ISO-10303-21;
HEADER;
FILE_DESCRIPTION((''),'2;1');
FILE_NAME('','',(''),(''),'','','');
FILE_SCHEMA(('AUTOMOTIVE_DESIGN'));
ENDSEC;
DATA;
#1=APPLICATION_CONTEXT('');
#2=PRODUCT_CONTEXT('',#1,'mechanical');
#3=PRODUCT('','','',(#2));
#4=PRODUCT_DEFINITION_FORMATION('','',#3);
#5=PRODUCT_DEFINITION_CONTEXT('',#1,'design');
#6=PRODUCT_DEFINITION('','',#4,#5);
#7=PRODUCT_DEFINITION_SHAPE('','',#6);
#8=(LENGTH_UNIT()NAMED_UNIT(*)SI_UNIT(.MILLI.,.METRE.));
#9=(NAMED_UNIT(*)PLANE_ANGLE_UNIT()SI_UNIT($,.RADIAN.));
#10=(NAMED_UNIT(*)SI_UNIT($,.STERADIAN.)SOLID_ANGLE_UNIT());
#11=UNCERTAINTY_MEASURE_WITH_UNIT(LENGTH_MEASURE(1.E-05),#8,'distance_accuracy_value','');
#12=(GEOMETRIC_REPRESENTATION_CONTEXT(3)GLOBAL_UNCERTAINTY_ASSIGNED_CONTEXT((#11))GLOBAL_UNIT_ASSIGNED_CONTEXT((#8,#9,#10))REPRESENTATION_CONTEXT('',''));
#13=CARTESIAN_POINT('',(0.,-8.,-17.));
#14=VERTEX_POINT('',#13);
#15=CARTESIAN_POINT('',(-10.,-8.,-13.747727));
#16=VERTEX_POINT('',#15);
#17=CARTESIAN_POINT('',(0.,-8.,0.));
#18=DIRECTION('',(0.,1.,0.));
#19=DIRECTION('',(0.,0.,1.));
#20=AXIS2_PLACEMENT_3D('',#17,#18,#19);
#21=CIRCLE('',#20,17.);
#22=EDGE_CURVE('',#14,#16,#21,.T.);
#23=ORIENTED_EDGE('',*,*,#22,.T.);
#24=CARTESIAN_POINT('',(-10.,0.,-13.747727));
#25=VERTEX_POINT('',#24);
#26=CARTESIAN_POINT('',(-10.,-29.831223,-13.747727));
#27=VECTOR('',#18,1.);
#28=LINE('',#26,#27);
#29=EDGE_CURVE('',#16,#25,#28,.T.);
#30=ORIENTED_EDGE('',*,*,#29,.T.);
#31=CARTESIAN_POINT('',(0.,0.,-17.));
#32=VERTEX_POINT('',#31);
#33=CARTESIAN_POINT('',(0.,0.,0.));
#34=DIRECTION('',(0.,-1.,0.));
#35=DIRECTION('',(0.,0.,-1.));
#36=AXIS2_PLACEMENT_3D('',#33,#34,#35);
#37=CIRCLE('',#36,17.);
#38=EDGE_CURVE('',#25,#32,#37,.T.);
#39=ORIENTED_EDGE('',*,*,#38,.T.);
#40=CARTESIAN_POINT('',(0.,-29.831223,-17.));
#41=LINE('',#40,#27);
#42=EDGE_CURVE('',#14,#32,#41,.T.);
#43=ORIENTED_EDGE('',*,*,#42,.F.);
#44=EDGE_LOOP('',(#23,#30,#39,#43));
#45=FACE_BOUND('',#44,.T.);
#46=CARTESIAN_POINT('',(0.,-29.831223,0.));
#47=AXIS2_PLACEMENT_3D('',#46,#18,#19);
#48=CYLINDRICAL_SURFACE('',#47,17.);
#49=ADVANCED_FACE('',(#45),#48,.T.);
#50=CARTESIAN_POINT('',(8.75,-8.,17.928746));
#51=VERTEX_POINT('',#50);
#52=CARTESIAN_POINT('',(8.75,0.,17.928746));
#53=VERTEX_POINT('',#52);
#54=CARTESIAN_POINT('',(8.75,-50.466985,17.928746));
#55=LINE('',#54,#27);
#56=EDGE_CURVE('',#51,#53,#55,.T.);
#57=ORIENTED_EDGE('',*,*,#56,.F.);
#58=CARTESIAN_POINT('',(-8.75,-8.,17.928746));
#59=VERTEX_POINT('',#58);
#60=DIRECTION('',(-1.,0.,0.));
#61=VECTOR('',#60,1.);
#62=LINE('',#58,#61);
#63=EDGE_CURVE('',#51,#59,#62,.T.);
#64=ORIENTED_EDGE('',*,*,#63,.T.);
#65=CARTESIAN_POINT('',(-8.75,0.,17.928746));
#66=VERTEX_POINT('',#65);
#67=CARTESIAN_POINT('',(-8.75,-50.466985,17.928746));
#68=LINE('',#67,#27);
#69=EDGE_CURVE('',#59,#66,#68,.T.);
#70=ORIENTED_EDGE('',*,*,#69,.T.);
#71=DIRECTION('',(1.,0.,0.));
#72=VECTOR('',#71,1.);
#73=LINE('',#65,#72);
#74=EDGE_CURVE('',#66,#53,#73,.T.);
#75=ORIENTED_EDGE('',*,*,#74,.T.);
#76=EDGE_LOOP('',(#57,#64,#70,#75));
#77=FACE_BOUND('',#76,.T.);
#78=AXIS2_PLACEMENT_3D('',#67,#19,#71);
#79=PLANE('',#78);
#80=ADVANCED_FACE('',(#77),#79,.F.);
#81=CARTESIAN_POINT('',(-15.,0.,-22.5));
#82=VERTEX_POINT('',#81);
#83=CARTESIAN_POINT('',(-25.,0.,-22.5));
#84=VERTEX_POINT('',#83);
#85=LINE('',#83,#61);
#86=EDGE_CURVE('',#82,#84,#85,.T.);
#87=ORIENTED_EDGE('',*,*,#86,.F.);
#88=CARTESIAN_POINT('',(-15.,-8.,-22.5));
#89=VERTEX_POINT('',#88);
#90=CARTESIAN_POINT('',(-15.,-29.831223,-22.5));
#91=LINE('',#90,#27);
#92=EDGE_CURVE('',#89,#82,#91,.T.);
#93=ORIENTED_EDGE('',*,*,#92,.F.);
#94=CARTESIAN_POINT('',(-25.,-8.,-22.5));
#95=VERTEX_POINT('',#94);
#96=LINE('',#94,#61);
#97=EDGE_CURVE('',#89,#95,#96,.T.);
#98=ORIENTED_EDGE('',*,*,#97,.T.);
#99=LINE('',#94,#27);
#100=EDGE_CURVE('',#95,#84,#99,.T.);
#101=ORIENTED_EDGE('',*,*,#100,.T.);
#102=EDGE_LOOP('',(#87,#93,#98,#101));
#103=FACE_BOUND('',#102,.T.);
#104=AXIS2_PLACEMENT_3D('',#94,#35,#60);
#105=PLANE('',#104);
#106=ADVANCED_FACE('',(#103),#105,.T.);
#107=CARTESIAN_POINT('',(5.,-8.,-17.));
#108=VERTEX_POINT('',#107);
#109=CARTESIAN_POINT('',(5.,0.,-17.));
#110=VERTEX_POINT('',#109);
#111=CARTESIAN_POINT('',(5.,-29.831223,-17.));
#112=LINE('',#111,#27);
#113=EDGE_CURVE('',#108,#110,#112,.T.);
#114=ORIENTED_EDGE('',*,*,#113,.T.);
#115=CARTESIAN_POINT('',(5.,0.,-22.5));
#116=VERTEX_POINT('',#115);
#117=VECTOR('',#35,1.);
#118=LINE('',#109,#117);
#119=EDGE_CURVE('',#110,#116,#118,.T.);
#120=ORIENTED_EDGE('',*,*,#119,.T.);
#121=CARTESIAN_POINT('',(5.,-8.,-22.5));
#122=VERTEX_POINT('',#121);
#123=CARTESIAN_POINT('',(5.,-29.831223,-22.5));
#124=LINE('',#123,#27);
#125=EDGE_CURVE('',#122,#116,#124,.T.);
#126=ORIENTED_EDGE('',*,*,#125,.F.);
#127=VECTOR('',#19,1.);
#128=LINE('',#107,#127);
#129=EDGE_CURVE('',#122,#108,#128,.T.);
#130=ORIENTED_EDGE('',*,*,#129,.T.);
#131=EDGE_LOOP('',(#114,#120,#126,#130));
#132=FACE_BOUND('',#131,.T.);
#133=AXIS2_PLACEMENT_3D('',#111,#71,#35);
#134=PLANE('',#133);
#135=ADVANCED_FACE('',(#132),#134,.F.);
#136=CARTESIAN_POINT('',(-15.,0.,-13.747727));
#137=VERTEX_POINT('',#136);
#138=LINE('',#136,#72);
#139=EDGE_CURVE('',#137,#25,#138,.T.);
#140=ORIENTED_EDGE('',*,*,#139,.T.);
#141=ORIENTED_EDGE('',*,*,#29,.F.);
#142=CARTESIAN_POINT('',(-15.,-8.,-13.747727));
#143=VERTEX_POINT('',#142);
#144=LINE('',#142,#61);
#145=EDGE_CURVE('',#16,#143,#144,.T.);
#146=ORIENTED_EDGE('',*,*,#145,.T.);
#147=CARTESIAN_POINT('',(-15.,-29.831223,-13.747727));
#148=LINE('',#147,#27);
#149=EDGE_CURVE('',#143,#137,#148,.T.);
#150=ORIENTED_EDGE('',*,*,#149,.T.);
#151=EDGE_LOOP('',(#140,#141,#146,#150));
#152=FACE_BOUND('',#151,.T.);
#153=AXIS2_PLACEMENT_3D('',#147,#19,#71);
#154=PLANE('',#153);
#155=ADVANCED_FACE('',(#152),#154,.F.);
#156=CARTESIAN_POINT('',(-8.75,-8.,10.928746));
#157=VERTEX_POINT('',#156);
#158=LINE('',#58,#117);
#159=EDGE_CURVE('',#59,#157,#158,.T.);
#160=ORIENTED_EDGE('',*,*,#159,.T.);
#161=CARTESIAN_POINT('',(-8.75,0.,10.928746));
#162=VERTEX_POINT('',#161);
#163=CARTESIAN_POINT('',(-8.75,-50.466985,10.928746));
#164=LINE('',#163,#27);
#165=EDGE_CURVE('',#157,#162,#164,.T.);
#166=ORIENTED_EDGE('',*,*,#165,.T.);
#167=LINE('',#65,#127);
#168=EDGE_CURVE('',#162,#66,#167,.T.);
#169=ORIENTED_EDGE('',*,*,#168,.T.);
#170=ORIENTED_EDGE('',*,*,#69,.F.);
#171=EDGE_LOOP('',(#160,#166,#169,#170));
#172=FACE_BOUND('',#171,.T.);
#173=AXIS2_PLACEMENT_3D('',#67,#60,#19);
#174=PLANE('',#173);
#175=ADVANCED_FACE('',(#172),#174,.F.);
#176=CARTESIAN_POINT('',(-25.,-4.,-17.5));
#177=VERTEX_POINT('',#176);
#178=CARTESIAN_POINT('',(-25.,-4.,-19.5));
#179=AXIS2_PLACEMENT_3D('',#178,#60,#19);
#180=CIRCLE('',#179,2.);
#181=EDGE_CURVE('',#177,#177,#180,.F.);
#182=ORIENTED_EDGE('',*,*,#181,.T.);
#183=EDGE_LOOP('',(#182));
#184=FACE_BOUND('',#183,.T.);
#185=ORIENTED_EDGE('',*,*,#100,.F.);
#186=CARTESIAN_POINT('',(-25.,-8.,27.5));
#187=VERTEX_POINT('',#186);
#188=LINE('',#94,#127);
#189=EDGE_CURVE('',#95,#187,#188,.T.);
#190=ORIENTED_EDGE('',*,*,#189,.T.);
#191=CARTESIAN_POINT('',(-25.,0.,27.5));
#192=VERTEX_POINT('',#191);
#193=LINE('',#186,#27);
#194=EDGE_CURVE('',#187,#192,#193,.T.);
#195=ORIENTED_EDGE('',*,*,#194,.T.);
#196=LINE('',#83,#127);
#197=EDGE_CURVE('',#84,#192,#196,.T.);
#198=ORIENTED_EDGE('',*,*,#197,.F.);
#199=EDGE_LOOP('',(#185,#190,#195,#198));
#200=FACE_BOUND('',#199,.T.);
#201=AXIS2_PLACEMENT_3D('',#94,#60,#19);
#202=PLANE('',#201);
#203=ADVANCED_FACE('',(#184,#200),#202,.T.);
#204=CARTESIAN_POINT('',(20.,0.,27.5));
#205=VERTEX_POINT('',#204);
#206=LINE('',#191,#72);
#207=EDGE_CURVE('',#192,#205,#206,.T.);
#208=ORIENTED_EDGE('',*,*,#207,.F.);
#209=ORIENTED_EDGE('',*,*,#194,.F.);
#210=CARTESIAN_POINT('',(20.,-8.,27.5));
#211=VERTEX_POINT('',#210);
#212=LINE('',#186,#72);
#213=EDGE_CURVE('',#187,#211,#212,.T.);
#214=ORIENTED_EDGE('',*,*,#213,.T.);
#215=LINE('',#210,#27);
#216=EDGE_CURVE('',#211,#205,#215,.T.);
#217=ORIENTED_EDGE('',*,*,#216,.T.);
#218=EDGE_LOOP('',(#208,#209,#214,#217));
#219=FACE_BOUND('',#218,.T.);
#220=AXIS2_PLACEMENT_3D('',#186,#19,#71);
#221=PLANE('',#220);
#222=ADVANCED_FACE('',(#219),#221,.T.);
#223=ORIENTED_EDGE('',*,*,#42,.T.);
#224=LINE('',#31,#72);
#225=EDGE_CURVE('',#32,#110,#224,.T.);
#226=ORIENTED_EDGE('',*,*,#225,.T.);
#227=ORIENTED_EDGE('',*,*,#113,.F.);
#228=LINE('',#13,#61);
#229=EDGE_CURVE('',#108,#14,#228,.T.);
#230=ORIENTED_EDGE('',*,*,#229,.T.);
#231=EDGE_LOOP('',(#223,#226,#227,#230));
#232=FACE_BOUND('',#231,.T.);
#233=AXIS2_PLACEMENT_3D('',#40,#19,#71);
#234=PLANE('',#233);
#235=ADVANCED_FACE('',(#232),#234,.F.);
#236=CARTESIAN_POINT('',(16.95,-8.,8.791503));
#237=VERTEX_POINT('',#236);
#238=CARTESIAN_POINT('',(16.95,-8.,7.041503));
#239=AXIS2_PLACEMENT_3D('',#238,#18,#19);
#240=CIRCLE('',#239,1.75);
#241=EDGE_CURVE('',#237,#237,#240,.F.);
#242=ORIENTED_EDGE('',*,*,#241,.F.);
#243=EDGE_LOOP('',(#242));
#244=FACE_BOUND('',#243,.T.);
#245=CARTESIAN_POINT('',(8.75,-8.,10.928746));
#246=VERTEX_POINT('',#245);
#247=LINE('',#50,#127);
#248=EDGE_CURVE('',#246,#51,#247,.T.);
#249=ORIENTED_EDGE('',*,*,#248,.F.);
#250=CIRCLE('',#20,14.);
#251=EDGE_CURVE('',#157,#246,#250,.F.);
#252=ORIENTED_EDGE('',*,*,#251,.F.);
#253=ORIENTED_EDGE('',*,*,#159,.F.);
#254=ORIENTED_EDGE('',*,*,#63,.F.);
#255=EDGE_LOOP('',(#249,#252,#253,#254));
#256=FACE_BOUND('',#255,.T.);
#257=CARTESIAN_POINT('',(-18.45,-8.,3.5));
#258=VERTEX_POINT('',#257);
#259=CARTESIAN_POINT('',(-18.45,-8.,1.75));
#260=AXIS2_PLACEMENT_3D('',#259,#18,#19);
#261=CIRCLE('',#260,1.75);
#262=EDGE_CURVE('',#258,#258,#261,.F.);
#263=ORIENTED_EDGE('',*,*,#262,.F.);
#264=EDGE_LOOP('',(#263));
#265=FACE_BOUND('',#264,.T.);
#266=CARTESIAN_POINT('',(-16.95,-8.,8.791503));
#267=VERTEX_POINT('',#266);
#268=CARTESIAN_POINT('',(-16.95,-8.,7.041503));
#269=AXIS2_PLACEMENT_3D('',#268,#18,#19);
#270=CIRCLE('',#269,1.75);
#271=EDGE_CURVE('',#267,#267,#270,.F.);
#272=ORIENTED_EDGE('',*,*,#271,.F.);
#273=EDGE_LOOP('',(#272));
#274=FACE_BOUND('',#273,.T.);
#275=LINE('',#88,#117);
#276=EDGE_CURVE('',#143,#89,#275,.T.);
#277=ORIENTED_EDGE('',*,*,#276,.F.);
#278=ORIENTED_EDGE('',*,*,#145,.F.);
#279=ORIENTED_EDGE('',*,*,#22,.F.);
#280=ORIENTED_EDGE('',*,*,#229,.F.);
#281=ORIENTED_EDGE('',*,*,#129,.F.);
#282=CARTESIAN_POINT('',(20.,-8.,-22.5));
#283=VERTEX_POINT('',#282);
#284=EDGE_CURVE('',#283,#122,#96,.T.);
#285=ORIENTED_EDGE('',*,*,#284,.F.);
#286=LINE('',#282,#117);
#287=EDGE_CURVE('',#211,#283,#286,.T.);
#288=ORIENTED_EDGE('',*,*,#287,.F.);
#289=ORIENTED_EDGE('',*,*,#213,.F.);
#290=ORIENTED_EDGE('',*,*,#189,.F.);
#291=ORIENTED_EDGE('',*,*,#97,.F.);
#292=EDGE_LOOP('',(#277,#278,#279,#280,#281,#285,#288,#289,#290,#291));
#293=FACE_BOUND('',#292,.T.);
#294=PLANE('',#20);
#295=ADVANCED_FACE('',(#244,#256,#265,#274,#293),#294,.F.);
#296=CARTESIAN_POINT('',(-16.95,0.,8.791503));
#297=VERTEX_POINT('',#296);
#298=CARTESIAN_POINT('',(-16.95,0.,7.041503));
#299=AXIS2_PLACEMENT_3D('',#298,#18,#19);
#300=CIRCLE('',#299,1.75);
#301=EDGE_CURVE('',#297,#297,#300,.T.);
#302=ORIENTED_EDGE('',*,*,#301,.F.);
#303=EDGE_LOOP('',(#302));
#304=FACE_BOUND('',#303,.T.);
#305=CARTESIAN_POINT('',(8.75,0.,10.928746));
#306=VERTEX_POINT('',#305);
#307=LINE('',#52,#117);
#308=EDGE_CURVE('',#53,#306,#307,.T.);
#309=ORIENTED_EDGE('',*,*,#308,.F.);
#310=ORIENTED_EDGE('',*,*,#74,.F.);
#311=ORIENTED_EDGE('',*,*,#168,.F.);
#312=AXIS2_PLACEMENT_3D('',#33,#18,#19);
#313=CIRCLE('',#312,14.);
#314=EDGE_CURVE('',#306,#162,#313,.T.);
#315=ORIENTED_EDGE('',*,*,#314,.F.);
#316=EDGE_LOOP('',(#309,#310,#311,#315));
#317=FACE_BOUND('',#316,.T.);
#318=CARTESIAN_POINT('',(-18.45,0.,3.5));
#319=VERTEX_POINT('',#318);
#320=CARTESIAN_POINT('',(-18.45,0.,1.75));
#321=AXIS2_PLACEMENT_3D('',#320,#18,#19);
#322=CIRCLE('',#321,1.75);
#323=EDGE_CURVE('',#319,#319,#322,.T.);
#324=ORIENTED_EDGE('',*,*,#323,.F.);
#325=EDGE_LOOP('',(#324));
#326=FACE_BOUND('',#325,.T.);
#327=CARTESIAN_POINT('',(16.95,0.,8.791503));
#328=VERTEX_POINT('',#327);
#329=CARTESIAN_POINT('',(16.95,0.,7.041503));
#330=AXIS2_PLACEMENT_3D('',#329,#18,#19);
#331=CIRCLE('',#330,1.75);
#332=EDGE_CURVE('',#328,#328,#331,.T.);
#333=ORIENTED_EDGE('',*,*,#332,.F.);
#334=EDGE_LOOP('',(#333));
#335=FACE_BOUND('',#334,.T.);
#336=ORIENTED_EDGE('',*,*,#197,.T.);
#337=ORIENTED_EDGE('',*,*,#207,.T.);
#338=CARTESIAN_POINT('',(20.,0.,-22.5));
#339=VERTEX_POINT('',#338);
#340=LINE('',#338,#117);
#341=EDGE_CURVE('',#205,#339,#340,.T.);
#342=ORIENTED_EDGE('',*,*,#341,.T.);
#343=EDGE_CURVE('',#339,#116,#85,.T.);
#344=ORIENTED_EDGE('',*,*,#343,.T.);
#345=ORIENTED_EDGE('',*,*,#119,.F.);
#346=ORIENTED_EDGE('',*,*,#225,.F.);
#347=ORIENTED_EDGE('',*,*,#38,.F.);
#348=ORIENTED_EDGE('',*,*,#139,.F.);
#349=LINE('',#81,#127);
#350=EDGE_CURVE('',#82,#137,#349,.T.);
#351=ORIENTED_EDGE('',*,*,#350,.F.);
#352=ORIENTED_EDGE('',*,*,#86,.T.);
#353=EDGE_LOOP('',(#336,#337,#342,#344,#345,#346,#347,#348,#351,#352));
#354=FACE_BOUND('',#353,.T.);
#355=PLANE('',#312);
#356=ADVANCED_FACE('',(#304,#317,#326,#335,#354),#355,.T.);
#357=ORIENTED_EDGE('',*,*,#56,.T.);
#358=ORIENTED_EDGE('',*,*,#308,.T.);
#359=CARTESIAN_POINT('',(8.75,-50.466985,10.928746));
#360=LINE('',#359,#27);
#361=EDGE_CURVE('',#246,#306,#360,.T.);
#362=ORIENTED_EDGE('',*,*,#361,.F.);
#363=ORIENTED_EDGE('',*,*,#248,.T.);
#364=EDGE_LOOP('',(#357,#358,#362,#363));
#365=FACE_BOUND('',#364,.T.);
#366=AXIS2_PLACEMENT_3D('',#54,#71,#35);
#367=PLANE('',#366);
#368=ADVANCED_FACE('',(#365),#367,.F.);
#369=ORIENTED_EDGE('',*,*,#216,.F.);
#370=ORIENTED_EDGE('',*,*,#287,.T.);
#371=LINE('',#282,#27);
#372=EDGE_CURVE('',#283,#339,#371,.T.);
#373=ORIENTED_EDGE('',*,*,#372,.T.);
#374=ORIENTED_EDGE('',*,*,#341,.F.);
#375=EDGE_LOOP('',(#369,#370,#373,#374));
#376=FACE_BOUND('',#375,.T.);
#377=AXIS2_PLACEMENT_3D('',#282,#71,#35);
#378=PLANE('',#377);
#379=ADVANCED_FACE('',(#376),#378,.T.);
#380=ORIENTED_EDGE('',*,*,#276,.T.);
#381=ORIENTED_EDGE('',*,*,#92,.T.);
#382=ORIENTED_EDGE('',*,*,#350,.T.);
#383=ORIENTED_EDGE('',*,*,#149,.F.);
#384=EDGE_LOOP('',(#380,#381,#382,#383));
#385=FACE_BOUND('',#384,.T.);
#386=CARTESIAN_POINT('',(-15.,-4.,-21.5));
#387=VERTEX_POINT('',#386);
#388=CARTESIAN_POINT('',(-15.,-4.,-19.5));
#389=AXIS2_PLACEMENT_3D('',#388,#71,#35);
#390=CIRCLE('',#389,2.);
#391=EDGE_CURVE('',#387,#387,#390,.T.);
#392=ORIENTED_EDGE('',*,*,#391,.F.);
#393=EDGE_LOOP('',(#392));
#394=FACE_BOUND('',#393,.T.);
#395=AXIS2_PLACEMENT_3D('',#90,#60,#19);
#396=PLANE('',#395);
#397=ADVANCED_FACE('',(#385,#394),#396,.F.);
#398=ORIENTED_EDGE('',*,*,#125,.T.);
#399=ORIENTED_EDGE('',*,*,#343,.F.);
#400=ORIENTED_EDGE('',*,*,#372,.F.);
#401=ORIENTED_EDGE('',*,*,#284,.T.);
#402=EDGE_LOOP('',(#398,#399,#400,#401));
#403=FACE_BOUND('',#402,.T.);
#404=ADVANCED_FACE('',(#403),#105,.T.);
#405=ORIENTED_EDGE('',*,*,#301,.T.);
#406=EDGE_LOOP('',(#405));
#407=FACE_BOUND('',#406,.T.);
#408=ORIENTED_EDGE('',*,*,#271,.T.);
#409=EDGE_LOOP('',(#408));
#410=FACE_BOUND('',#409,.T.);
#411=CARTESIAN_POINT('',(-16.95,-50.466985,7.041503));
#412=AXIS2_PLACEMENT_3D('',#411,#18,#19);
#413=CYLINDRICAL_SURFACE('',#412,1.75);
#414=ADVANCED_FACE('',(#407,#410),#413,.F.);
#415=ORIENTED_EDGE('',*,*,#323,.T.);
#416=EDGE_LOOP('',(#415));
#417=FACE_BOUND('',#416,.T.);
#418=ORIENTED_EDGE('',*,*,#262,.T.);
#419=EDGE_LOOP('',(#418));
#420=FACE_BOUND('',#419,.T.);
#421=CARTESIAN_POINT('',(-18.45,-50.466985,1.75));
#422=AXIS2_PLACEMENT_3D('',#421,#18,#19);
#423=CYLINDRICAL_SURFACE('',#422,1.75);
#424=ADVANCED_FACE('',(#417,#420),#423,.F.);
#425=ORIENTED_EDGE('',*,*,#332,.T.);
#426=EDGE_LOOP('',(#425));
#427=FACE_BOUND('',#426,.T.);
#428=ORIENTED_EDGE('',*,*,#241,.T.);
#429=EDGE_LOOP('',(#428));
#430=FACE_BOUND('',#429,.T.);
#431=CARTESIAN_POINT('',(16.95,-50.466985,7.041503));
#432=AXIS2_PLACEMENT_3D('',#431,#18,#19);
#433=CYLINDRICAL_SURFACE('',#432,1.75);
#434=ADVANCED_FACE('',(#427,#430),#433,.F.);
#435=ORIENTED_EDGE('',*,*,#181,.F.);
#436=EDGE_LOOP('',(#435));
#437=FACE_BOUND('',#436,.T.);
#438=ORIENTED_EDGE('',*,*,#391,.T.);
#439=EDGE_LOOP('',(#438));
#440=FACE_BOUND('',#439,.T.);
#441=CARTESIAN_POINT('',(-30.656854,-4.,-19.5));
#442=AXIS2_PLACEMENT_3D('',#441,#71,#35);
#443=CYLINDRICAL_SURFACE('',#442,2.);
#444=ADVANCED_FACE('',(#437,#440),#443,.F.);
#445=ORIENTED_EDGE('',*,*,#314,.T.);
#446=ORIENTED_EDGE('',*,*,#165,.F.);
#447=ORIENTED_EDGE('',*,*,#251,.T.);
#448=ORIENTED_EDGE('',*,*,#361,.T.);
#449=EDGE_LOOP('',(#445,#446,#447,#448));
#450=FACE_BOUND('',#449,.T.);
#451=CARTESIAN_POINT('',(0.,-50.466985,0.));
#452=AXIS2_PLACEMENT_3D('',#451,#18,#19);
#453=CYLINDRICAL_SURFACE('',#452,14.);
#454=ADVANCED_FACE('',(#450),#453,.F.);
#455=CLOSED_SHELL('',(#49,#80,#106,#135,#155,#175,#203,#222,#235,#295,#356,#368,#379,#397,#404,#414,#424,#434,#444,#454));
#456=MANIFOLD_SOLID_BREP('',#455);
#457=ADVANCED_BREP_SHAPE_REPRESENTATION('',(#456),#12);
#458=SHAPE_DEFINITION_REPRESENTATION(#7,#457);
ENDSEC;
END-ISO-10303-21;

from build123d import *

# Parameters (mm, degrees)
SKETCH2_W                                 = 45
SKETCH2_H                                 = 50
STEPPER_SLIDER_BOSS_EXTRUDE1_DEPTH        = 8
SKETCH1_R                                 = 1.75
STEPPER_HOLE_CUT_EXTRUDE1_DEPTH           = 8
ADJUSTING_SCREW_POCKET_CUT_EXTRUDE1_DEPTH = 8
SKETCH4_R                                 = 2
ADJUSTING_SCREW_HOLE_CUT_EXTRUDE2_DEPTH   = 10


with BuildPart() as part:
    # Sketch2 → Stepper Slider Boss-Extrude1 (new body)
    with BuildSketch(Plane(origin=(0, 0, 0), x_dir=(1, 0, 0), z_dir=(0, 1, 0))):
        with Locations((-2.5, -2.5)):
            Rectangle(SKETCH2_W, SKETCH2_H)
    extrude(amount=-STEPPER_SLIDER_BOSS_EXTRUDE1_DEPTH)

    # Sketch1 → Stepper Hole Cut-Extrude1 (cut)
    with BuildSketch(Plane(origin=(0, 0, 0), x_dir=(1, 0, 0), z_dir=(0, 1, 0))):
        with Locations(Location((-18.45, -1.75, 0), (0, 0, 270))):
            Circle(SKETCH1_R)
        with Locations(Location((16.95, -7.041502622, 0), (0, 0, 270))):
            Circle(SKETCH1_R)
        with Locations(Location((-16.95, -7.041502622, 0), (0, 0, 270))):
            Circle(SKETCH1_R)
        with BuildLine():
            Line((8.75, -17.928746497), (8.75, -10.928746497))
            ThreePointArc((8.75, -10.928746497), (0, 14), (-8.75, -10.928746497))
            Line((-8.75, -10.928746497), (-8.75, -17.928746497))
            Line((-8.75, -17.928746497), (8.75, -17.928746497))
        make_face()
    extrude(amount=-STEPPER_HOLE_CUT_EXTRUDE1_DEPTH, mode=Mode.SUBTRACT)

    # Sketch3 → Adjusting Screw Pocket Cut-Extrude1 (cut)
    with BuildSketch(Plane(origin=(0, 0, 0), x_dir=(1, 0, 0), z_dir=(0, 1, 0))):
        with BuildLine():
            Line((0, 22.5), (-15, 22.5))
            Line((-15, 22.5), (-15, 13.747727085))
            Line((-15, 13.747727085), (-10, 13.747727085))
            ThreePointArc((-10, 13.747727085), (-5.257786585, 16.1664987), (0, 17))
            Line((0, 17), (5, 17))
            Line((5, 17), (5, 22.5))
            Line((5, 22.5), (0, 22.5))
        make_face()
    extrude(amount=-ADJUSTING_SCREW_POCKET_CUT_EXTRUDE1_DEPTH, mode=Mode.SUBTRACT)

    # Sketch4 → Adjusting Screw Hole Cut-Extrude2 (cut)
    with BuildSketch(Plane(origin=(-15, 0, 0), x_dir=(0, 0, -1), z_dir=(1, 0, 0))):
        with Locations((19.5, -4)):
            Circle(SKETCH4_R)
    extrude(amount=-ADJUSTING_SCREW_HOLE_CUT_EXTRUDE2_DEPTH, mode=Mode.SUBTRACT)


solid = part.part
